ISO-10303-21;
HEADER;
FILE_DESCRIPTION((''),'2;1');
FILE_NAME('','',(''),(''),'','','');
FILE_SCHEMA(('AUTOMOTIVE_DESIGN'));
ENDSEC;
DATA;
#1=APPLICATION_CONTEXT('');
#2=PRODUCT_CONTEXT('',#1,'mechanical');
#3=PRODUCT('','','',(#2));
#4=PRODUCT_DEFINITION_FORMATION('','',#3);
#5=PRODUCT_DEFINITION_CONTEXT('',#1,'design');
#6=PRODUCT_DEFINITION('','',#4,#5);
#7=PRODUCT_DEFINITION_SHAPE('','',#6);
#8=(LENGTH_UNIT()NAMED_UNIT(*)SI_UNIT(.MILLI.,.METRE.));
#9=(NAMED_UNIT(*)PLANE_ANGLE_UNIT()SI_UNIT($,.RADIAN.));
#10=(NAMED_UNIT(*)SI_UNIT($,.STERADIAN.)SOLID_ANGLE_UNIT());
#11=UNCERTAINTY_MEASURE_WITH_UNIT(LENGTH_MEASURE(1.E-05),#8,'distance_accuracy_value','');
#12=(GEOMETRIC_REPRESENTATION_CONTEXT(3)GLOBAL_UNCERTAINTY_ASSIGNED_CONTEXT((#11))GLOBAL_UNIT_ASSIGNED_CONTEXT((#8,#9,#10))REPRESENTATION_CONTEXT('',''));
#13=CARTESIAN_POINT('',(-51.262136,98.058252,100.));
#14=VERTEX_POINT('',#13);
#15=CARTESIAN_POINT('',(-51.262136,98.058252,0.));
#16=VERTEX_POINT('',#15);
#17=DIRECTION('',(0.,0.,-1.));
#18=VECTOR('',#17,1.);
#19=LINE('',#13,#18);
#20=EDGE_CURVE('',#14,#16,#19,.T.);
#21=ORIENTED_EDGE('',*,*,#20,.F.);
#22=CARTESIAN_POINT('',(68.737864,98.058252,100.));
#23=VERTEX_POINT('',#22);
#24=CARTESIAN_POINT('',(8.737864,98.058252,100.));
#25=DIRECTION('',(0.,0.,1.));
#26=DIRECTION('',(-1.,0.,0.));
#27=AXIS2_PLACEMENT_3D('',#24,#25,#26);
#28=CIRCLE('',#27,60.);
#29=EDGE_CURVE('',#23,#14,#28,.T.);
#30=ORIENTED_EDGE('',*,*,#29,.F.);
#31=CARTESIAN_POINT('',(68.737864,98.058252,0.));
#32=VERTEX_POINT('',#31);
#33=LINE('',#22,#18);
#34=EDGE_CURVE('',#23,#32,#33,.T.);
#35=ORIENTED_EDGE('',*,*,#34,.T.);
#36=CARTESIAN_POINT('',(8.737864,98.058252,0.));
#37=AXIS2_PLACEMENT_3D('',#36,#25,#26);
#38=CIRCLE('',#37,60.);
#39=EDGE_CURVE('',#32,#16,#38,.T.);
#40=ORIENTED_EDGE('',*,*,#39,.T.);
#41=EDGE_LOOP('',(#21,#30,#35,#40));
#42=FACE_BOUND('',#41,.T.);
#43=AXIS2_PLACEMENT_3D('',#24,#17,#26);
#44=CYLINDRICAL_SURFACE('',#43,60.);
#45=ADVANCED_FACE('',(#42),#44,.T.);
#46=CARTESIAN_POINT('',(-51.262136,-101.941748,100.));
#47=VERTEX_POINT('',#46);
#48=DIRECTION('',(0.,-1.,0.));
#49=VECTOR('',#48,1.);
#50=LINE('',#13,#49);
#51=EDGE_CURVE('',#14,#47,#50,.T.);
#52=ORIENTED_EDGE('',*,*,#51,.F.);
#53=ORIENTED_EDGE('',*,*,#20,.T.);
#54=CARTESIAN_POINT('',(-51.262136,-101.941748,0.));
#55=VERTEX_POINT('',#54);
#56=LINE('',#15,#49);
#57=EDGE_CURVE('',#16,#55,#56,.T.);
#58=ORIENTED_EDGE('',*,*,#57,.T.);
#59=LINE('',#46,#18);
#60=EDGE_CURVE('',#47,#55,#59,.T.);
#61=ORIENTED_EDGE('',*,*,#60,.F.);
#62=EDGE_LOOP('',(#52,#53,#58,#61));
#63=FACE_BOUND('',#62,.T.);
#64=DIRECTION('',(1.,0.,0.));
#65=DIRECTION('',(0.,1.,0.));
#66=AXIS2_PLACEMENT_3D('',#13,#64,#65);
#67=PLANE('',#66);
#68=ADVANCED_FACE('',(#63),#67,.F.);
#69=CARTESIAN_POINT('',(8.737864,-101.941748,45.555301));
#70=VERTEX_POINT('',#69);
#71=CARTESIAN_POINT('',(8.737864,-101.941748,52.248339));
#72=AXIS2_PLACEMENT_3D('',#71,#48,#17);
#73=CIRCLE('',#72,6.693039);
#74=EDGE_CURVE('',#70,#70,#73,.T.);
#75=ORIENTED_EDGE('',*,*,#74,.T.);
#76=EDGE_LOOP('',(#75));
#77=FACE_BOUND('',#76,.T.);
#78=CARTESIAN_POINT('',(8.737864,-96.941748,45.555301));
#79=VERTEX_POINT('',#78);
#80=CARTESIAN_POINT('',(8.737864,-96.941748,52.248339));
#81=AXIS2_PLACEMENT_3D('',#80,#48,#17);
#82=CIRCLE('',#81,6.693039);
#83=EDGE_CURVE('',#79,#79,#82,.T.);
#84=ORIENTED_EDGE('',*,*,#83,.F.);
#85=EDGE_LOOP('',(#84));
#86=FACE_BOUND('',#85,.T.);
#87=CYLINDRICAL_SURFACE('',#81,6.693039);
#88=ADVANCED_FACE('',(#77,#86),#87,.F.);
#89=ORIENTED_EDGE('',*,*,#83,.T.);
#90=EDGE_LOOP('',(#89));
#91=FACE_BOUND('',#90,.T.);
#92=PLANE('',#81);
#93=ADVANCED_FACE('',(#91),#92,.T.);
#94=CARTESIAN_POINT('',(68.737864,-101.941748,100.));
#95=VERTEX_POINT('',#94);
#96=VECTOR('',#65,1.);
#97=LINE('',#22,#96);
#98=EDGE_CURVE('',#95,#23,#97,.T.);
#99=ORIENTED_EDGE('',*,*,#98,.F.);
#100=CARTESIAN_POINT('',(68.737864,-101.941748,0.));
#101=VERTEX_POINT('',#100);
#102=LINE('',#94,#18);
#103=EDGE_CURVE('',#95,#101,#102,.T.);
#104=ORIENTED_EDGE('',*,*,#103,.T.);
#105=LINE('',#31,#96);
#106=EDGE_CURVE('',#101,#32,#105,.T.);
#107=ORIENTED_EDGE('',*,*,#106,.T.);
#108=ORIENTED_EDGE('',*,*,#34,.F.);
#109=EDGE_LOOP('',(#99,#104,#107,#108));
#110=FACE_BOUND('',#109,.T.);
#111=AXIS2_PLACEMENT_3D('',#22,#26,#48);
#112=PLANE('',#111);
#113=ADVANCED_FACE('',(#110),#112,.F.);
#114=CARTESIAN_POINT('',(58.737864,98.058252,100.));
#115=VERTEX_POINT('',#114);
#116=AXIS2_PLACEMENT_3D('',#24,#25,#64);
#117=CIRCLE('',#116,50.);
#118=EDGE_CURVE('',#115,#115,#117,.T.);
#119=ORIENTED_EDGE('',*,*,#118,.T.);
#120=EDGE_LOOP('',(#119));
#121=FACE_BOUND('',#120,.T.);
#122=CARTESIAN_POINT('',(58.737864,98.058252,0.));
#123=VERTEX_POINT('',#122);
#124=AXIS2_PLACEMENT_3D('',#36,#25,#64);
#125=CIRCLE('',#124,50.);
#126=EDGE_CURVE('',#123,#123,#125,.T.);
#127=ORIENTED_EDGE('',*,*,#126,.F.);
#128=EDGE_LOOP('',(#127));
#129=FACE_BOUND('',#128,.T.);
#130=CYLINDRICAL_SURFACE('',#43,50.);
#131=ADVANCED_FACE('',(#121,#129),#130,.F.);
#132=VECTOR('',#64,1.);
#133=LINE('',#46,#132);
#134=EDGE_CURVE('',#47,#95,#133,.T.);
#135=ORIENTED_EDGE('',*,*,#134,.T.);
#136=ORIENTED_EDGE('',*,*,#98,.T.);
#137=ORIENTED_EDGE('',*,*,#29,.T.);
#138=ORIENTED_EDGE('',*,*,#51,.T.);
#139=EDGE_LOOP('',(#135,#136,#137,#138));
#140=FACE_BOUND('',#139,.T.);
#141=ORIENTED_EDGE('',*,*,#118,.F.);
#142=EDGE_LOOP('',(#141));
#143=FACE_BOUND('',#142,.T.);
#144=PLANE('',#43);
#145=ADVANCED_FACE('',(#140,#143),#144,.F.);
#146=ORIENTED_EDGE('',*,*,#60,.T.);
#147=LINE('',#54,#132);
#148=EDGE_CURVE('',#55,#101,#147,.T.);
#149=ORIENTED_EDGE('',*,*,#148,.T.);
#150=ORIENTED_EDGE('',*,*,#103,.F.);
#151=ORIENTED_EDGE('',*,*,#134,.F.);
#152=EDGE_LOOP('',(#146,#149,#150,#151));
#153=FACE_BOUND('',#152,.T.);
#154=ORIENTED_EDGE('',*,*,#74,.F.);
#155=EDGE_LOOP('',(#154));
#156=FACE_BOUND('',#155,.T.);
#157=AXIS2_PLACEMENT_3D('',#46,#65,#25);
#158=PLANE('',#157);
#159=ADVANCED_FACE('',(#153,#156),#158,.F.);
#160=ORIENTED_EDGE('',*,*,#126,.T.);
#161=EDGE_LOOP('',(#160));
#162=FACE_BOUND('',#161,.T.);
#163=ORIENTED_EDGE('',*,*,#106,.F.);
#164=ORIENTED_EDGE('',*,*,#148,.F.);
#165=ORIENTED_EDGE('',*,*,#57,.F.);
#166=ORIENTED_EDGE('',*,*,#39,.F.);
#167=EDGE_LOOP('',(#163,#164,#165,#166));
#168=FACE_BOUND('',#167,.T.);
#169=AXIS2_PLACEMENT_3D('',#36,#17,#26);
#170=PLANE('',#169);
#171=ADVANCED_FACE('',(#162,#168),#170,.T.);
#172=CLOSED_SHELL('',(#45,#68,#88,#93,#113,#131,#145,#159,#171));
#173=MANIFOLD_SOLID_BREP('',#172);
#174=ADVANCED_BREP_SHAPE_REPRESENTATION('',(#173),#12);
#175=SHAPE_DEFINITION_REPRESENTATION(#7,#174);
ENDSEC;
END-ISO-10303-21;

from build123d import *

# Parameters (mm, degrees)
SKETCH_1_R          = 50
EXTRUDE_1_DEPTH     = 100
SKETCH_2_R          = 6.693038614
CUT_EXTRUDE_1_DEPTH = 5


with BuildPart() as part:
    # 草图1 → 凸台-拉伸1 (new body)
    with BuildSketch(Plane.XY):
        with BuildLine():
            Line((-51.262135922, 98.058252427), (-51.262135922, -101.941747573))
            Line((-51.262135922, -101.941747573), (68.737864078, -101.941747573))
            Line((68.737864078, -101.941747573), (68.737864078, 98.058252427))
            ThreePointArc((68.737864078, 98.058252427), (8.737864078, 158.058252427), (-51.262135922, 98.058252427))
        make_face()
        with Locations((8.737864078, 98.058252427)):
            Circle(SKETCH_1_R, mode=Mode.SUBTRACT)
    extrude(amount=EXTRUDE_1_DEPTH)

    # 草图2 → 切除-拉伸1 (cut)
    with BuildSketch(Plane(origin=(0, -101.941747573, 0), x_dir=(-1, 0, 0), z_dir=(0, -1, 0))):
        with Locations(Location((-8.737864078, -52.248339219, 0), (0, 0, 90))):
            Circle(SKETCH_2_R)
    extrude(amount=-CUT_EXTRUDE_1_DEPTH, mode=Mode.SUBTRACT)


solid = part.part
